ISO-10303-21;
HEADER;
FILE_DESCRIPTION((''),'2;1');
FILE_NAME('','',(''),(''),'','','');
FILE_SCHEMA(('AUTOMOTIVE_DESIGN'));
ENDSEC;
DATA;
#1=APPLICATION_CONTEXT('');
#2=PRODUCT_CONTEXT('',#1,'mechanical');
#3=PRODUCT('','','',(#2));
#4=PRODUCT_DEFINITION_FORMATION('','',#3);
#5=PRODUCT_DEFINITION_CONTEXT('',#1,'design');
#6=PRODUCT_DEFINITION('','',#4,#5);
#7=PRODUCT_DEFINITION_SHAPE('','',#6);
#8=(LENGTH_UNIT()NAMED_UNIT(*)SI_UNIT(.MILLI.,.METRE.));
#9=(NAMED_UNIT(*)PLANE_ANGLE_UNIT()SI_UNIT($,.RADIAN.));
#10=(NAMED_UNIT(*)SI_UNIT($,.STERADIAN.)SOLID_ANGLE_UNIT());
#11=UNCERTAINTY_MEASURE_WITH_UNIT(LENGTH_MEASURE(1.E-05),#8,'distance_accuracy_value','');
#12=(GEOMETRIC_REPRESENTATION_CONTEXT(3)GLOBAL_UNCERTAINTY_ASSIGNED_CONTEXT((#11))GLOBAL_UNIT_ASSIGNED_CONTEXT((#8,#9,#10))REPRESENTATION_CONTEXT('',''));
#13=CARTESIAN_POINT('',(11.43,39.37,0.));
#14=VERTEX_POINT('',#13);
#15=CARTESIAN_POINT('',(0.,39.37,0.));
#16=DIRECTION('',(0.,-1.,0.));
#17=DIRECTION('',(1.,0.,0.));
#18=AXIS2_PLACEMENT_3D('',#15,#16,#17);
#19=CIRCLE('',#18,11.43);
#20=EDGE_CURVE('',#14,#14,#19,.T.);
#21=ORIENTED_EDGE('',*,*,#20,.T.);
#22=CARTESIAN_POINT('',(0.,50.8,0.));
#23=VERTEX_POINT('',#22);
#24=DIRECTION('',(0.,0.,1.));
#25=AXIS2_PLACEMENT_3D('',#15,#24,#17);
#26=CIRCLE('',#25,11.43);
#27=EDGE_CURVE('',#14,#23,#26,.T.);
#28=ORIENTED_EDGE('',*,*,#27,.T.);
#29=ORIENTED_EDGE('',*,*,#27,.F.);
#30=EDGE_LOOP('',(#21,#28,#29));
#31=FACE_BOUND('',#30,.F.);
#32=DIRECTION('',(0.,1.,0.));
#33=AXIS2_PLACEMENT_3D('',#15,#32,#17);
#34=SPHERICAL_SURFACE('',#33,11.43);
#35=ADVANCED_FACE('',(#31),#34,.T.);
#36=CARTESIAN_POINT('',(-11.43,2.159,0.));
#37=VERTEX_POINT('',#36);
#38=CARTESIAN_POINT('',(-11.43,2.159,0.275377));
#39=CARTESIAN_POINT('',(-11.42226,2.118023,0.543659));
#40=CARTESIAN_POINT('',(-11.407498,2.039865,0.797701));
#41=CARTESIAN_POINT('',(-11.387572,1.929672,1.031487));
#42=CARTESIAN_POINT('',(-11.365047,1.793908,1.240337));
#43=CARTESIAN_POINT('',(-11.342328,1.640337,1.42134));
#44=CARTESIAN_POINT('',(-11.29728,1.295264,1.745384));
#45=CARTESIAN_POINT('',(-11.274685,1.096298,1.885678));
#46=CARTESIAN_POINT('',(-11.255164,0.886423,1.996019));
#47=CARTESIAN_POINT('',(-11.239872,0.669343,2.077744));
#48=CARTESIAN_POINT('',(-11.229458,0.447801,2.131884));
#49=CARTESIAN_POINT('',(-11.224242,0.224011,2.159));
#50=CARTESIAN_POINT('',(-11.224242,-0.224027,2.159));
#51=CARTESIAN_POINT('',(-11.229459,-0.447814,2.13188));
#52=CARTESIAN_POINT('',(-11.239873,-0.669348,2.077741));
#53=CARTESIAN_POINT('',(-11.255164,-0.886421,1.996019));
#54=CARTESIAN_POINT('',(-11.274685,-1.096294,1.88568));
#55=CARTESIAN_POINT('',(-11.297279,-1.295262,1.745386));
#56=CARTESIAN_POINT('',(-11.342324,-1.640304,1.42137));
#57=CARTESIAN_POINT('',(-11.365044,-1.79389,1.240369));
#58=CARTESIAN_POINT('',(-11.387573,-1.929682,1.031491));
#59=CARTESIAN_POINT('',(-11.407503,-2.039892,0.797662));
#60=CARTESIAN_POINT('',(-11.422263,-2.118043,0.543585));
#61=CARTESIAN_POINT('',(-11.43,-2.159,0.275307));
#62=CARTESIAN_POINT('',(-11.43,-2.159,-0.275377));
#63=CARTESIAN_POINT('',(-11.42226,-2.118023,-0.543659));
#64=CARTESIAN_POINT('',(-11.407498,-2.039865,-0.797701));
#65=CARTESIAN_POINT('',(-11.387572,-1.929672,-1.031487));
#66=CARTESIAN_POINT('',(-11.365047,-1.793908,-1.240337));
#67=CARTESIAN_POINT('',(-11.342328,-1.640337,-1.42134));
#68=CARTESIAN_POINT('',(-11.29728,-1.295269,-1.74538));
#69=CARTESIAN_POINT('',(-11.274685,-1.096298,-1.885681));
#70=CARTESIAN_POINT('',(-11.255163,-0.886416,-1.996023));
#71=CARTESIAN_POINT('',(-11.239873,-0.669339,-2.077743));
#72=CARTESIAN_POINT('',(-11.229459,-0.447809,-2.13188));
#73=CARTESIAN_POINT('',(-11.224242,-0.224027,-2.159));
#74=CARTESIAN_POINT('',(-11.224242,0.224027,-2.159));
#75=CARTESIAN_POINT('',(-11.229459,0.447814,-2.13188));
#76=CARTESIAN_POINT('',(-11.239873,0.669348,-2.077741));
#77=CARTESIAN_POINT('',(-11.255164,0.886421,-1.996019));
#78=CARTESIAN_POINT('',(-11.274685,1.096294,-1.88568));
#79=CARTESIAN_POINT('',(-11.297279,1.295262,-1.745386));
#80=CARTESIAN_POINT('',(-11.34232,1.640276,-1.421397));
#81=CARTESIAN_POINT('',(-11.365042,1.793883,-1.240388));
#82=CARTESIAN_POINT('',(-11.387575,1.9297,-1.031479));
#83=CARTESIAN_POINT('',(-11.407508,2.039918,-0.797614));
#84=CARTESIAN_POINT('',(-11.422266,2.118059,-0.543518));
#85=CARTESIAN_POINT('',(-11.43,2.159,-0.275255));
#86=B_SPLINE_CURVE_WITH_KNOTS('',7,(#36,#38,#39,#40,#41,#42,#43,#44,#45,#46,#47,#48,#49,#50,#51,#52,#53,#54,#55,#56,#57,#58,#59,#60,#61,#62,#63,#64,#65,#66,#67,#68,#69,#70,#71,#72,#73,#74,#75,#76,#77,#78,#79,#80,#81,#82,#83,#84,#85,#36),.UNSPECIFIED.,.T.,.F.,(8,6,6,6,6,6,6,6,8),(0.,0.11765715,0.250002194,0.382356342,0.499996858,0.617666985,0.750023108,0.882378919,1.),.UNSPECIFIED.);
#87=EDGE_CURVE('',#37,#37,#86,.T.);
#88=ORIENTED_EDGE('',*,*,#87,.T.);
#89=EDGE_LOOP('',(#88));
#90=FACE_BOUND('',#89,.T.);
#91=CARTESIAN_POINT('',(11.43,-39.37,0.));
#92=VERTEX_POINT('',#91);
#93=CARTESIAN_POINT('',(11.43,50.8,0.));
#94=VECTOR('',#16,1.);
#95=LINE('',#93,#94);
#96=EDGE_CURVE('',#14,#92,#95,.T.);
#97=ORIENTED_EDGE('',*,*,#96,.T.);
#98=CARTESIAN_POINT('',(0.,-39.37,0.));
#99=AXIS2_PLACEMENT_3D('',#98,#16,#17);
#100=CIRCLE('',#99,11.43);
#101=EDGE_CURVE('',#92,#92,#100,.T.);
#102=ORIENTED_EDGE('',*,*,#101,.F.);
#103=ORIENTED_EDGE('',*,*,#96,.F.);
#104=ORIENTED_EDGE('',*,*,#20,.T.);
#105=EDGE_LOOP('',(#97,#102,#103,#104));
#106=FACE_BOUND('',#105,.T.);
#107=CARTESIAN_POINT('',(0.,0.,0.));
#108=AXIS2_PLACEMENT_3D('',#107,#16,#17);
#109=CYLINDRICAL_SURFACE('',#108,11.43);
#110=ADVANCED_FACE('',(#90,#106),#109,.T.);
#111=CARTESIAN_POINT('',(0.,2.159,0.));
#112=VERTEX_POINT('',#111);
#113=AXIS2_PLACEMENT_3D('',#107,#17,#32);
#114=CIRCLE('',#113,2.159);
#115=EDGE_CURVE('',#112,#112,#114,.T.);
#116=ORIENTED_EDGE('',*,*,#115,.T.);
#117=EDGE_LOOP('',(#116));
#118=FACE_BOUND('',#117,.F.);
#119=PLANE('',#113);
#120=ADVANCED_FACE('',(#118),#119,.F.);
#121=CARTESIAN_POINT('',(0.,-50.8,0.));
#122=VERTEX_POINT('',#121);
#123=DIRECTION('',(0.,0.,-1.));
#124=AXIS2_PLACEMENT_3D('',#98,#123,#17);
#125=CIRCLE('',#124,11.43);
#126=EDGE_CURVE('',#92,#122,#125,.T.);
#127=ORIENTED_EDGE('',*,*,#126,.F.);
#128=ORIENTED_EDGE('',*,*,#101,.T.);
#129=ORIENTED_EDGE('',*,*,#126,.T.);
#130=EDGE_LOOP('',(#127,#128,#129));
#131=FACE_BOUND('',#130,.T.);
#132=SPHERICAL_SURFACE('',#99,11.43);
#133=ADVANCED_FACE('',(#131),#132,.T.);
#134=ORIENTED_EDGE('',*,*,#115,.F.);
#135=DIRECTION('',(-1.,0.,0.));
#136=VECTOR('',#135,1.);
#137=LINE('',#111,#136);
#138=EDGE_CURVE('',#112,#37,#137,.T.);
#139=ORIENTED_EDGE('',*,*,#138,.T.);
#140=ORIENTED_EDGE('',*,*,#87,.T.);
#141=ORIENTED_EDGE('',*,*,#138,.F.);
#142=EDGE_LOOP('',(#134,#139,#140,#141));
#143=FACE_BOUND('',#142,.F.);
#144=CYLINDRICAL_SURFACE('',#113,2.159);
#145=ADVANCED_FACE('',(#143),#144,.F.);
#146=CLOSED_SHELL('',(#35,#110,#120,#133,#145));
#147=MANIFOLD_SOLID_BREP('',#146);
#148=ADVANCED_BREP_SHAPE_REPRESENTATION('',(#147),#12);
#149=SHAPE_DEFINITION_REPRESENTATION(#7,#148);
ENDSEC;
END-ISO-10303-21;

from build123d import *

# Parameters (mm, degrees)
F0_R     = 11.43
F1_DEPTH = 50.8
F2_R     = 11.43
F4_D     = 4.318
F4_DEPTH = 11.431


with BuildPart() as f1:
    # F0 (on Front) → F1 (new body, symmetric)
    with BuildSketch(Plane.XZ):
        Circle(F0_R)
    extrude(amount=F1_DEPTH, both=True)

    # F2
    f2_edges = [f1.edges().sort_by_distance(p)[0] for p in [
        (-11.43, 50.8, 0),
        (-11.43, -50.8, 0),
    ]]
    fillet(f2_edges, radius=F2_R)

    # F4 (through all, one way)
    with BuildSketch(Plane.YZ):
        with Locations((0, 0)):
            Circle(F4_D / 2)
    extrude(amount=-F4_DEPTH, mode=Mode.SUBTRACT)


solid = f1.part
